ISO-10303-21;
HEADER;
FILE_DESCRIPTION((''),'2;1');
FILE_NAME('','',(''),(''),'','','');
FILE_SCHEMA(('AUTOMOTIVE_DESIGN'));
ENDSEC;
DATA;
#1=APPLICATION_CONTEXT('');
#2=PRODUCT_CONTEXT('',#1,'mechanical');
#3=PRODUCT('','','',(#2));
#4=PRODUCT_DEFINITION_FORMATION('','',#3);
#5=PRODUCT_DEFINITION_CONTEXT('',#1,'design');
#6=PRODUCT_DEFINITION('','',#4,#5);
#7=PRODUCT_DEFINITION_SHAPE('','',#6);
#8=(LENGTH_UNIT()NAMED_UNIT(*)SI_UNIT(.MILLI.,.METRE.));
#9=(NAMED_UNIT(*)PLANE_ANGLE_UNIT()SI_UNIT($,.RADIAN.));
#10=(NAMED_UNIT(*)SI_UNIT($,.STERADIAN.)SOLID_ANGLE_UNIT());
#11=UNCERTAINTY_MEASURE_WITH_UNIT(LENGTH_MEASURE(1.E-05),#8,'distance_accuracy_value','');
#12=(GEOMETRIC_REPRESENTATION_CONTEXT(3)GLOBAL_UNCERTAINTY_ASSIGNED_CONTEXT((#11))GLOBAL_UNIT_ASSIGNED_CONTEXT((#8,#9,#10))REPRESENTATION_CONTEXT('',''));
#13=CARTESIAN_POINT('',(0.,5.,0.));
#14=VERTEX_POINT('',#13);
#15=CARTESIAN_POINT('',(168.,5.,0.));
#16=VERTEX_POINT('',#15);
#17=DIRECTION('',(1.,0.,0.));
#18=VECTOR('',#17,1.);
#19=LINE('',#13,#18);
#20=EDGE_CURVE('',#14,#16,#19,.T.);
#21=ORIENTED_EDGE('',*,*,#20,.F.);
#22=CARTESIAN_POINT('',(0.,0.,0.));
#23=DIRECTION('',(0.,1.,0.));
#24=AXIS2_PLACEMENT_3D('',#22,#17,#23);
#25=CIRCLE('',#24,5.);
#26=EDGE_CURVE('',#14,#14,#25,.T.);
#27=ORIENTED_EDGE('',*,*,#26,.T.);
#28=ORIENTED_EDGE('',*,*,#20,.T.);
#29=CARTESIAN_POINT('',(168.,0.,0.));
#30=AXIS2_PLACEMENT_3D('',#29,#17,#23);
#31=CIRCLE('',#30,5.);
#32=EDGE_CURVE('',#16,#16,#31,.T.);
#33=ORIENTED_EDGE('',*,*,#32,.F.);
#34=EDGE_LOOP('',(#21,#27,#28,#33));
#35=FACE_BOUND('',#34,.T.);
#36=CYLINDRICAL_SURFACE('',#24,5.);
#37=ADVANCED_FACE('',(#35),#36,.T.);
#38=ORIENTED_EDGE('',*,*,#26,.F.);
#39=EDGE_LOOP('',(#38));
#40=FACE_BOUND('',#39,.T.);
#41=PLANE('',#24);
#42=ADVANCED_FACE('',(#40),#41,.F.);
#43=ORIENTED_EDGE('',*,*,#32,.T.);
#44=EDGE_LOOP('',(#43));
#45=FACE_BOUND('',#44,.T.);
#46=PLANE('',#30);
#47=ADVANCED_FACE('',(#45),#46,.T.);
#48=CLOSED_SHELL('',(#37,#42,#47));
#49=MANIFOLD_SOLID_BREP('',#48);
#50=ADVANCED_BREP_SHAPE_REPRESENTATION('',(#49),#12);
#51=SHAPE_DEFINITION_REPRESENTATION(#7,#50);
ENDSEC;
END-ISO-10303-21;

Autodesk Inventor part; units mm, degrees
ref_plane "Startebene" through (0, 0, 0) normal (1, 0, 0) x (0, 1, 0)
ref_plane "XZ Plane" through (0, 0, 0) normal (0, 1, 0) x (-1, 0, 0)
ref_plane "XY Plane" through (0, 0, 0) normal (0, 0, 1) x (1, 0, 0)
sketch "Hauptskizze" plane through (0, 0, 0) normal (0, 0, 1) x (1, 0, 0)
  line L0 (0, 0) -> (168, 0)
  line L1 (0, 0) -> (0, 5)
  line L2 (168, 5) -> (168, 0)
  line L3 (0, 5) -> (168, 5)
  dimension "d3" = 10
revolve "Umdrehung1" add sketch "Hauptskizze" angle 360 about axis through (0, 0, 0) along (1, 0, 0)
equation "\"Length\" = 168"
properties part number "Welle" material "Steel"
